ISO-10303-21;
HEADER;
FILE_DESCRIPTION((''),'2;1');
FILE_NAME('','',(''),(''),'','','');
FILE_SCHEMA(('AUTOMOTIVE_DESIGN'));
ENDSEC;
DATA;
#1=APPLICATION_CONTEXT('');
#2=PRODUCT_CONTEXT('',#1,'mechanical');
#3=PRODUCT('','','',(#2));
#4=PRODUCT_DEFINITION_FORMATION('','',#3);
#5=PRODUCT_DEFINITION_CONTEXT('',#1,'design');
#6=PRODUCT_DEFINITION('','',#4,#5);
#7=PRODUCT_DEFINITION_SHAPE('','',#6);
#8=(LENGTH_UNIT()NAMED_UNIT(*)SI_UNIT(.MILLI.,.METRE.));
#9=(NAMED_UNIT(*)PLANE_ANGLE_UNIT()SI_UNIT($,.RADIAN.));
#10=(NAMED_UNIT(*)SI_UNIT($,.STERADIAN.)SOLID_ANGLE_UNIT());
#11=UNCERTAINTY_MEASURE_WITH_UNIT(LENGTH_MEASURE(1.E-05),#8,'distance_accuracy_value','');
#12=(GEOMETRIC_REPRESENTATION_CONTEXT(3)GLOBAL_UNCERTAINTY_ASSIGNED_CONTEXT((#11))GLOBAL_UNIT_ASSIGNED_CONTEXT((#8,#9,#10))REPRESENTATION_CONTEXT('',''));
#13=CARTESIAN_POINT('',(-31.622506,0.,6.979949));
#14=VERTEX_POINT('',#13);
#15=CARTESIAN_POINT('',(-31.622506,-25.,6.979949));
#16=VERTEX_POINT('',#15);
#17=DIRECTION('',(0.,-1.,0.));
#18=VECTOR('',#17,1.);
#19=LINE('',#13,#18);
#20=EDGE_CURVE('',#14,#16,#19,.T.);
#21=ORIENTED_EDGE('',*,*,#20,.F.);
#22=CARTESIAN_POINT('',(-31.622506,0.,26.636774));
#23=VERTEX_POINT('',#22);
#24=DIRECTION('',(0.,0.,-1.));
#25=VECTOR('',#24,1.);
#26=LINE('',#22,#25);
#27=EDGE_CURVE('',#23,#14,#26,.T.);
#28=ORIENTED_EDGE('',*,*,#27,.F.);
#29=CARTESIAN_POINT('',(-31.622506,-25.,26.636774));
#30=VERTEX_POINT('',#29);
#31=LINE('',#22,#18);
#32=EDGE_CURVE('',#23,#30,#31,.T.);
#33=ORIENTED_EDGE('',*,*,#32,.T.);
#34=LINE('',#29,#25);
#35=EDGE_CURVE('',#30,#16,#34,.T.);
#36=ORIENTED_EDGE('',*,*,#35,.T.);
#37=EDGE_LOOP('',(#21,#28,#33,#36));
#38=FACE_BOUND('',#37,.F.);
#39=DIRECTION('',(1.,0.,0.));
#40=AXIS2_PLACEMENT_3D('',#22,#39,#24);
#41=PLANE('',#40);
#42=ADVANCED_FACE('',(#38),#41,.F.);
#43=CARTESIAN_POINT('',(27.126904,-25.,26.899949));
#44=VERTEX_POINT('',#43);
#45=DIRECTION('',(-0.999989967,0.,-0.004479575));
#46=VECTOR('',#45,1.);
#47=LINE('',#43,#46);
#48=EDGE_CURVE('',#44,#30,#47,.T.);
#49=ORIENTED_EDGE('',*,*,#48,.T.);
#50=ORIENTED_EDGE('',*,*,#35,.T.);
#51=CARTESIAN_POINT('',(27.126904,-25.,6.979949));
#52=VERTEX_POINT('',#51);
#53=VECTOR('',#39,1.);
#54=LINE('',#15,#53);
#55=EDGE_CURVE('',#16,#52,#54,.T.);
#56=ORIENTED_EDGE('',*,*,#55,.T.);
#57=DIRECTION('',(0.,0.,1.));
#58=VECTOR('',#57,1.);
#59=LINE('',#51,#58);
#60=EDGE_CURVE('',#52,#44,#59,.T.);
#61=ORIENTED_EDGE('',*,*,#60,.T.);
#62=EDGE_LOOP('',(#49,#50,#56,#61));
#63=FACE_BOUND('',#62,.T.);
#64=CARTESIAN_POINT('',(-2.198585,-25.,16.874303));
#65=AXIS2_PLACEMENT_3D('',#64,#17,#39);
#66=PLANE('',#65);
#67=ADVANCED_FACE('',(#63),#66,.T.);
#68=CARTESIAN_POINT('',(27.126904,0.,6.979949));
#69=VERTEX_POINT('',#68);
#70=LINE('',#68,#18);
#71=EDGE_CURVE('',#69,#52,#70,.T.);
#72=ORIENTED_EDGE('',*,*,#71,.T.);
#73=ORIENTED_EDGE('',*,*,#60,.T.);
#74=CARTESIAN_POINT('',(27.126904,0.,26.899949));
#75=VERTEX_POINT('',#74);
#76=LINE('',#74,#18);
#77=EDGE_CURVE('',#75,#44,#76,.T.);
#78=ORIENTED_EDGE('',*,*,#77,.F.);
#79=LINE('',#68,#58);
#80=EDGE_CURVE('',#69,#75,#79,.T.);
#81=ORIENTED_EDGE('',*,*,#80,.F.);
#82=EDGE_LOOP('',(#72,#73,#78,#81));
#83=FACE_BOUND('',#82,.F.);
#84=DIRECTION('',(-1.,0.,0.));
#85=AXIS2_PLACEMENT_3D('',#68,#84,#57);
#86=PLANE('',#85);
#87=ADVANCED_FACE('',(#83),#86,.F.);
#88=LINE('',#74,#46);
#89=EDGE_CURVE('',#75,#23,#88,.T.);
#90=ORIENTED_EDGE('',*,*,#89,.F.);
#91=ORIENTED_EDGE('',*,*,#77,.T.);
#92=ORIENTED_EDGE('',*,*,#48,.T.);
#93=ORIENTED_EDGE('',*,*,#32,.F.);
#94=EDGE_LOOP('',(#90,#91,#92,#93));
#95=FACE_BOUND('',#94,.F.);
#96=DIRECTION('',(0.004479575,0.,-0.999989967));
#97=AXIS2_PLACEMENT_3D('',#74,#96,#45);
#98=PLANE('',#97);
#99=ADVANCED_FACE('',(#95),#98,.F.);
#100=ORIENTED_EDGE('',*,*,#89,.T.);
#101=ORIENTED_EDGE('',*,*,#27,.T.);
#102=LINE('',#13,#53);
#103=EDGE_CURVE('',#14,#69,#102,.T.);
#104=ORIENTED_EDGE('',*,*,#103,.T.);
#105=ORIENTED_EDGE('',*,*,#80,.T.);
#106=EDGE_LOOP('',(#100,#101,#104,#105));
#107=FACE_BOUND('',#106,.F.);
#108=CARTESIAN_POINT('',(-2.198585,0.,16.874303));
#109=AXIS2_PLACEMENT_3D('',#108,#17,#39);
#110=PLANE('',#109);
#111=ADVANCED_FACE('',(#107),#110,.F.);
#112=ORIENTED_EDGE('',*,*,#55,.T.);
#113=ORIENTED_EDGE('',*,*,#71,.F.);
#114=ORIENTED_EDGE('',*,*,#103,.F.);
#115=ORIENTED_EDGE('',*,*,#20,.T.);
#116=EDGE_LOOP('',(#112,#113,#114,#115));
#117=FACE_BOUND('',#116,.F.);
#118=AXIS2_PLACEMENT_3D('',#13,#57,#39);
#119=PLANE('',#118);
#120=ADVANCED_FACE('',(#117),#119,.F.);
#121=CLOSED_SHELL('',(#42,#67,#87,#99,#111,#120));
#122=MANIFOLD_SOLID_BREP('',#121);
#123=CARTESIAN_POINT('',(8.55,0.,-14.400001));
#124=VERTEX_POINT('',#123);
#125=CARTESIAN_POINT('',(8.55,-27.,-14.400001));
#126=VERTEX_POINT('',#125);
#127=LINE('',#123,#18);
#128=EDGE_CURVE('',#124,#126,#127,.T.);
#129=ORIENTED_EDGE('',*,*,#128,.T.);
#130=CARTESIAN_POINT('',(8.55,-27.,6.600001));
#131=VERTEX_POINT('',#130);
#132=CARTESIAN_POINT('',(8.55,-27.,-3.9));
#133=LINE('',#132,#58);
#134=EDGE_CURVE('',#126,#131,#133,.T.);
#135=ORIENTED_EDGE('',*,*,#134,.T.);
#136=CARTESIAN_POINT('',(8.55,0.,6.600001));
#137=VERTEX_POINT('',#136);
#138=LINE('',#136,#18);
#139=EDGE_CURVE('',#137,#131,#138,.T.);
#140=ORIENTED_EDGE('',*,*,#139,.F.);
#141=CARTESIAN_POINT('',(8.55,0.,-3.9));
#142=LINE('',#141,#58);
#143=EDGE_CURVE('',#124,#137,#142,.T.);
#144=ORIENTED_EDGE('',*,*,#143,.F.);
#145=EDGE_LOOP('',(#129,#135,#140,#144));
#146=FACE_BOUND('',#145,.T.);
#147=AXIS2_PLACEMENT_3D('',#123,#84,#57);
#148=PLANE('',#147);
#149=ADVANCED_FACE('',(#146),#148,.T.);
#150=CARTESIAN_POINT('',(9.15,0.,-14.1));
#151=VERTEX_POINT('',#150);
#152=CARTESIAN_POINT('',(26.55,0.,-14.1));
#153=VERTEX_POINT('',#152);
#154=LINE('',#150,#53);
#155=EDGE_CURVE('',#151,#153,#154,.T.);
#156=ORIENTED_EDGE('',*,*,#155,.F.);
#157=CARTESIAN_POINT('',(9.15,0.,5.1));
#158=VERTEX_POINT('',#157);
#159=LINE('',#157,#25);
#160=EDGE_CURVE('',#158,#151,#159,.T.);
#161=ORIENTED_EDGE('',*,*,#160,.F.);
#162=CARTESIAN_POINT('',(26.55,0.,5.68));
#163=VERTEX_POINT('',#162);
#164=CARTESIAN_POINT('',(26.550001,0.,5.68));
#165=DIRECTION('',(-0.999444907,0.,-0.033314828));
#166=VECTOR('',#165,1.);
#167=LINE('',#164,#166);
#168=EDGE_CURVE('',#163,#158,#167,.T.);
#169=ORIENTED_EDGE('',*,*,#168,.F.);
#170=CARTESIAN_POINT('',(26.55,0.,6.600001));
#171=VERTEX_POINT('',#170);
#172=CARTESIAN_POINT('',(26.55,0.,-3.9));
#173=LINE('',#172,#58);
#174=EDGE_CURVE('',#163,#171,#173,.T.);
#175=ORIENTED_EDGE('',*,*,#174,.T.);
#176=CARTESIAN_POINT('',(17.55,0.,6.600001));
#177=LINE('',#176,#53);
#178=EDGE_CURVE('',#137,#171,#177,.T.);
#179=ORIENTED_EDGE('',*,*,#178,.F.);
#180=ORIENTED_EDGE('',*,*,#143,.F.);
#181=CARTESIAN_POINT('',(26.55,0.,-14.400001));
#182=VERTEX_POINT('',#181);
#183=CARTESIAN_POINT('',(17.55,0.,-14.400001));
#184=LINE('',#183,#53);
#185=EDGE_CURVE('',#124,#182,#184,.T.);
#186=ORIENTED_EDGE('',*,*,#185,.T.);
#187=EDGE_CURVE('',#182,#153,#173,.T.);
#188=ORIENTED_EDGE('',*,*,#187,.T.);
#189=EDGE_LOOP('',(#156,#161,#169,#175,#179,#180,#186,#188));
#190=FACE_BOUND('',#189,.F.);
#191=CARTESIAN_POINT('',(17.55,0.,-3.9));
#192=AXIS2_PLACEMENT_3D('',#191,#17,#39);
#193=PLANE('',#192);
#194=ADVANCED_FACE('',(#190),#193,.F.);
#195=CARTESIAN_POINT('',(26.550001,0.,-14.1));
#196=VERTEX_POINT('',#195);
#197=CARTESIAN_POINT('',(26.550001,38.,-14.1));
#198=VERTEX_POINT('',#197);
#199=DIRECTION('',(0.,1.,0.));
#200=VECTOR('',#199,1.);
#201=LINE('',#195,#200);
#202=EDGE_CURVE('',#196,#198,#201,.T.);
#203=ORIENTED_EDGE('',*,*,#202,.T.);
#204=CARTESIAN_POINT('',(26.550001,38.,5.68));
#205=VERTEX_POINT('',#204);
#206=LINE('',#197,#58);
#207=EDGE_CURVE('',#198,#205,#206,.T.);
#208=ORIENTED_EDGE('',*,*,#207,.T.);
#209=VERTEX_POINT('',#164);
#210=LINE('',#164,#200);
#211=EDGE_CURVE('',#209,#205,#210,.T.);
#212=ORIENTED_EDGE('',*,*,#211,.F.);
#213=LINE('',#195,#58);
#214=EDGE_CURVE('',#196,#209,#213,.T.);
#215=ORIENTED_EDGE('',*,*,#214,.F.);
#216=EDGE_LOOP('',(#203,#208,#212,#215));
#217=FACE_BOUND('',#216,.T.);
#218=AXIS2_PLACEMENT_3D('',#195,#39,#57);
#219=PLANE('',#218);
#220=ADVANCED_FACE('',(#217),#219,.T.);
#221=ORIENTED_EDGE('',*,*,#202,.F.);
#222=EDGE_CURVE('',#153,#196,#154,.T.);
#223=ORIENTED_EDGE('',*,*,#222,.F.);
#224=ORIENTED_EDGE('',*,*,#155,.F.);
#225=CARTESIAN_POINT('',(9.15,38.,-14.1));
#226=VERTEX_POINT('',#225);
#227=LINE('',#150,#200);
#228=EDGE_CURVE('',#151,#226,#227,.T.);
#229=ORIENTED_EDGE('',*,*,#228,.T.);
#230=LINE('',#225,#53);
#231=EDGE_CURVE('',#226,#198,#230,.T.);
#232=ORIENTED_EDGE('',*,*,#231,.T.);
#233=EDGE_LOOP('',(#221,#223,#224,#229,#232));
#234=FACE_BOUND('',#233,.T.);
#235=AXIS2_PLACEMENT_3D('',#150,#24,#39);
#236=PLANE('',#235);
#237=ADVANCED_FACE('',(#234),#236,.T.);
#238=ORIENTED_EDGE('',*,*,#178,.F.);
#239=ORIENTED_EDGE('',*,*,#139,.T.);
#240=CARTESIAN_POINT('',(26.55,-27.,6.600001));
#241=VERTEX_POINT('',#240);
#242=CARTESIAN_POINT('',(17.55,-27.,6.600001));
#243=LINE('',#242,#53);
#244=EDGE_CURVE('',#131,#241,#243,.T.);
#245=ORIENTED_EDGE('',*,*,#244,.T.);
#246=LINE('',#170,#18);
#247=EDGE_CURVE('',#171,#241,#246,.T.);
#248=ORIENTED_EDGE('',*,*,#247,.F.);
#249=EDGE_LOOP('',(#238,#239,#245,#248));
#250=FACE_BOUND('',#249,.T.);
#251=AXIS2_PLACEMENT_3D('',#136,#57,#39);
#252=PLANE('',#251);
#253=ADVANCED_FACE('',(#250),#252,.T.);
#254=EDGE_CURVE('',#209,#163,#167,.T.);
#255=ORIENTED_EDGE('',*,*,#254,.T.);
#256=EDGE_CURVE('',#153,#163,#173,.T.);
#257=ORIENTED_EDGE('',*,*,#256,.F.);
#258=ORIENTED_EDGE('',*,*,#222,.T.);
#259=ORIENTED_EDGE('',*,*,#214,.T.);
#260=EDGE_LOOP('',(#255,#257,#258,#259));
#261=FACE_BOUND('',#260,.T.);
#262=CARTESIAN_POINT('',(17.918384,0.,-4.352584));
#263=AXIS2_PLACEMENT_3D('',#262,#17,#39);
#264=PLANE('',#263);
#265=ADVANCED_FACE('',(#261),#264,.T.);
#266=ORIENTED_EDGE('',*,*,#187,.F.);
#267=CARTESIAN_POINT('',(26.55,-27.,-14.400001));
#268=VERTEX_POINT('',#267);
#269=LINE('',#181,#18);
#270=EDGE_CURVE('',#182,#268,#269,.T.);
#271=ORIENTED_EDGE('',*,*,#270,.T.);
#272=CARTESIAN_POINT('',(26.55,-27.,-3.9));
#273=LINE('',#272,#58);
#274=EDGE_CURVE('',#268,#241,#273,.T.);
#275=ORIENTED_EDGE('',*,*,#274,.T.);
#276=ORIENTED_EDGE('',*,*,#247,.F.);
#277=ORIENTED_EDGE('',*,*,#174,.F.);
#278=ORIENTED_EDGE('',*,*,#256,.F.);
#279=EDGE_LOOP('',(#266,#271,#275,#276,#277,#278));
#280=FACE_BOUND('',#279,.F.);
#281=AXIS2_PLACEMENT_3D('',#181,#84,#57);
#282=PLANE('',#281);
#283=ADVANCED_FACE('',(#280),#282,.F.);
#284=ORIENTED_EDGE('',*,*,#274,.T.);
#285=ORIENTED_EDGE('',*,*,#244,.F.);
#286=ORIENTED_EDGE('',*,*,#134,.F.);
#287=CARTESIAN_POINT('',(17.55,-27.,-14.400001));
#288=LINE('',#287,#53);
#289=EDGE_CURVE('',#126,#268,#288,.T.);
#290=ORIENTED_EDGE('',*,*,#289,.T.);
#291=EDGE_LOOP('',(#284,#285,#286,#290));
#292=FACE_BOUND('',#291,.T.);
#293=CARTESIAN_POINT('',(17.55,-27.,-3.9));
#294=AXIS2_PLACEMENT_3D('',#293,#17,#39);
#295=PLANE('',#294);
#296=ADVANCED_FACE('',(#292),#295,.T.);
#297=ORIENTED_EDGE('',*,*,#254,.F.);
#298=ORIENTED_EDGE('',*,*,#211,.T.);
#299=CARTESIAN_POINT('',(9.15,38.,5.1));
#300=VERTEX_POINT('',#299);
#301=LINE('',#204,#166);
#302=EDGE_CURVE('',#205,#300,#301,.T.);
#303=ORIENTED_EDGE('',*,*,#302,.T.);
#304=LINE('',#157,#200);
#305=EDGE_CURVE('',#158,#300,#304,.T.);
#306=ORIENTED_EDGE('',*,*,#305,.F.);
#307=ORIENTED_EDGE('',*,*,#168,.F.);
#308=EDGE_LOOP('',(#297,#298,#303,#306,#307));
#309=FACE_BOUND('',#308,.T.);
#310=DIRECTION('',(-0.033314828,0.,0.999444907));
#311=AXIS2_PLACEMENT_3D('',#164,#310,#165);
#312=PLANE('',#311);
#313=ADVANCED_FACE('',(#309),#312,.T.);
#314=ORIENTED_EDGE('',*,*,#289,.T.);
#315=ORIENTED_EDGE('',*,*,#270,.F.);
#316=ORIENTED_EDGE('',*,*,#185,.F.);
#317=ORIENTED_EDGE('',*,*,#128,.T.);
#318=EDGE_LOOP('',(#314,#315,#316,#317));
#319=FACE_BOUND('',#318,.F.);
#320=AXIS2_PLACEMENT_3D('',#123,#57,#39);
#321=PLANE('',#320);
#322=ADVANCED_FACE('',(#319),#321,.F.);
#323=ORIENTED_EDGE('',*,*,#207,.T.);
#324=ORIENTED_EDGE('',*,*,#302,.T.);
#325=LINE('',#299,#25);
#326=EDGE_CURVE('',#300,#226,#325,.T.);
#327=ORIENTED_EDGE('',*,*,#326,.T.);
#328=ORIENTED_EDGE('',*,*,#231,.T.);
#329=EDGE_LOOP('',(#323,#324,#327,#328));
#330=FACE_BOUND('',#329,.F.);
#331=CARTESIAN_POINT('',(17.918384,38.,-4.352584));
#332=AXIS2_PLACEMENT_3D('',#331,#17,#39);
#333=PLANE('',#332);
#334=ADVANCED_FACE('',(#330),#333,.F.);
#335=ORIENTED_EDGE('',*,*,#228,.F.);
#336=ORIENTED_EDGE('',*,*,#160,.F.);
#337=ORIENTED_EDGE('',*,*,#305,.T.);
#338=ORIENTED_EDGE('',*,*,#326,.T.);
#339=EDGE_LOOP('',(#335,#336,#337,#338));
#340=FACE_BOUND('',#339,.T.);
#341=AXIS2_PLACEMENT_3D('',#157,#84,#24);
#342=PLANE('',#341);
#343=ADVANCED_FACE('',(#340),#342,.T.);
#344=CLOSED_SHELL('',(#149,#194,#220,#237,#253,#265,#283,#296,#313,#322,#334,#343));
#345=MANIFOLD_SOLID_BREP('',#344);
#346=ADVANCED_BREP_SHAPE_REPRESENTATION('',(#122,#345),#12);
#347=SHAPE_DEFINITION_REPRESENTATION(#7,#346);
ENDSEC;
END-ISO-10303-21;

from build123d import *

# Parameters (mm, degrees)
F1_DEPTH = 25
F2_W     = 18.000001
F2_H     = 21.000001
F3_DEPTH = 27
F5_DEPTH = 38


with BuildPart() as f1:
    # F0 (on Front) → F1 (new body)
    with BuildSketch(Plane.XZ):
        Polygon((27.126904, 26.899949), (-31.622506, 26.636774), (-31.622506, 6.979949), (27.126904, 6.979949), align=None)
    extrude(amount=F1_DEPTH)


with BuildPart() as f3:
    # F2 (on Front) → F3 (new body)
    with BuildSketch(Plane.XZ):
        with Locations((17.55, -3.9)):
            Rectangle(F2_W, F2_H)
    extrude(amount=F3_DEPTH)

    # F4 (on Front) → F5 (join)
    with BuildSketch(Plane.XZ):
        Polygon((26.550001, 5.68), (9.15, 5.1), (9.15, -14.1), (26.550001, -14.1), align=None)
    extrude(amount=-F5_DEPTH)


solid = Compound([f1.part, f3.part])
